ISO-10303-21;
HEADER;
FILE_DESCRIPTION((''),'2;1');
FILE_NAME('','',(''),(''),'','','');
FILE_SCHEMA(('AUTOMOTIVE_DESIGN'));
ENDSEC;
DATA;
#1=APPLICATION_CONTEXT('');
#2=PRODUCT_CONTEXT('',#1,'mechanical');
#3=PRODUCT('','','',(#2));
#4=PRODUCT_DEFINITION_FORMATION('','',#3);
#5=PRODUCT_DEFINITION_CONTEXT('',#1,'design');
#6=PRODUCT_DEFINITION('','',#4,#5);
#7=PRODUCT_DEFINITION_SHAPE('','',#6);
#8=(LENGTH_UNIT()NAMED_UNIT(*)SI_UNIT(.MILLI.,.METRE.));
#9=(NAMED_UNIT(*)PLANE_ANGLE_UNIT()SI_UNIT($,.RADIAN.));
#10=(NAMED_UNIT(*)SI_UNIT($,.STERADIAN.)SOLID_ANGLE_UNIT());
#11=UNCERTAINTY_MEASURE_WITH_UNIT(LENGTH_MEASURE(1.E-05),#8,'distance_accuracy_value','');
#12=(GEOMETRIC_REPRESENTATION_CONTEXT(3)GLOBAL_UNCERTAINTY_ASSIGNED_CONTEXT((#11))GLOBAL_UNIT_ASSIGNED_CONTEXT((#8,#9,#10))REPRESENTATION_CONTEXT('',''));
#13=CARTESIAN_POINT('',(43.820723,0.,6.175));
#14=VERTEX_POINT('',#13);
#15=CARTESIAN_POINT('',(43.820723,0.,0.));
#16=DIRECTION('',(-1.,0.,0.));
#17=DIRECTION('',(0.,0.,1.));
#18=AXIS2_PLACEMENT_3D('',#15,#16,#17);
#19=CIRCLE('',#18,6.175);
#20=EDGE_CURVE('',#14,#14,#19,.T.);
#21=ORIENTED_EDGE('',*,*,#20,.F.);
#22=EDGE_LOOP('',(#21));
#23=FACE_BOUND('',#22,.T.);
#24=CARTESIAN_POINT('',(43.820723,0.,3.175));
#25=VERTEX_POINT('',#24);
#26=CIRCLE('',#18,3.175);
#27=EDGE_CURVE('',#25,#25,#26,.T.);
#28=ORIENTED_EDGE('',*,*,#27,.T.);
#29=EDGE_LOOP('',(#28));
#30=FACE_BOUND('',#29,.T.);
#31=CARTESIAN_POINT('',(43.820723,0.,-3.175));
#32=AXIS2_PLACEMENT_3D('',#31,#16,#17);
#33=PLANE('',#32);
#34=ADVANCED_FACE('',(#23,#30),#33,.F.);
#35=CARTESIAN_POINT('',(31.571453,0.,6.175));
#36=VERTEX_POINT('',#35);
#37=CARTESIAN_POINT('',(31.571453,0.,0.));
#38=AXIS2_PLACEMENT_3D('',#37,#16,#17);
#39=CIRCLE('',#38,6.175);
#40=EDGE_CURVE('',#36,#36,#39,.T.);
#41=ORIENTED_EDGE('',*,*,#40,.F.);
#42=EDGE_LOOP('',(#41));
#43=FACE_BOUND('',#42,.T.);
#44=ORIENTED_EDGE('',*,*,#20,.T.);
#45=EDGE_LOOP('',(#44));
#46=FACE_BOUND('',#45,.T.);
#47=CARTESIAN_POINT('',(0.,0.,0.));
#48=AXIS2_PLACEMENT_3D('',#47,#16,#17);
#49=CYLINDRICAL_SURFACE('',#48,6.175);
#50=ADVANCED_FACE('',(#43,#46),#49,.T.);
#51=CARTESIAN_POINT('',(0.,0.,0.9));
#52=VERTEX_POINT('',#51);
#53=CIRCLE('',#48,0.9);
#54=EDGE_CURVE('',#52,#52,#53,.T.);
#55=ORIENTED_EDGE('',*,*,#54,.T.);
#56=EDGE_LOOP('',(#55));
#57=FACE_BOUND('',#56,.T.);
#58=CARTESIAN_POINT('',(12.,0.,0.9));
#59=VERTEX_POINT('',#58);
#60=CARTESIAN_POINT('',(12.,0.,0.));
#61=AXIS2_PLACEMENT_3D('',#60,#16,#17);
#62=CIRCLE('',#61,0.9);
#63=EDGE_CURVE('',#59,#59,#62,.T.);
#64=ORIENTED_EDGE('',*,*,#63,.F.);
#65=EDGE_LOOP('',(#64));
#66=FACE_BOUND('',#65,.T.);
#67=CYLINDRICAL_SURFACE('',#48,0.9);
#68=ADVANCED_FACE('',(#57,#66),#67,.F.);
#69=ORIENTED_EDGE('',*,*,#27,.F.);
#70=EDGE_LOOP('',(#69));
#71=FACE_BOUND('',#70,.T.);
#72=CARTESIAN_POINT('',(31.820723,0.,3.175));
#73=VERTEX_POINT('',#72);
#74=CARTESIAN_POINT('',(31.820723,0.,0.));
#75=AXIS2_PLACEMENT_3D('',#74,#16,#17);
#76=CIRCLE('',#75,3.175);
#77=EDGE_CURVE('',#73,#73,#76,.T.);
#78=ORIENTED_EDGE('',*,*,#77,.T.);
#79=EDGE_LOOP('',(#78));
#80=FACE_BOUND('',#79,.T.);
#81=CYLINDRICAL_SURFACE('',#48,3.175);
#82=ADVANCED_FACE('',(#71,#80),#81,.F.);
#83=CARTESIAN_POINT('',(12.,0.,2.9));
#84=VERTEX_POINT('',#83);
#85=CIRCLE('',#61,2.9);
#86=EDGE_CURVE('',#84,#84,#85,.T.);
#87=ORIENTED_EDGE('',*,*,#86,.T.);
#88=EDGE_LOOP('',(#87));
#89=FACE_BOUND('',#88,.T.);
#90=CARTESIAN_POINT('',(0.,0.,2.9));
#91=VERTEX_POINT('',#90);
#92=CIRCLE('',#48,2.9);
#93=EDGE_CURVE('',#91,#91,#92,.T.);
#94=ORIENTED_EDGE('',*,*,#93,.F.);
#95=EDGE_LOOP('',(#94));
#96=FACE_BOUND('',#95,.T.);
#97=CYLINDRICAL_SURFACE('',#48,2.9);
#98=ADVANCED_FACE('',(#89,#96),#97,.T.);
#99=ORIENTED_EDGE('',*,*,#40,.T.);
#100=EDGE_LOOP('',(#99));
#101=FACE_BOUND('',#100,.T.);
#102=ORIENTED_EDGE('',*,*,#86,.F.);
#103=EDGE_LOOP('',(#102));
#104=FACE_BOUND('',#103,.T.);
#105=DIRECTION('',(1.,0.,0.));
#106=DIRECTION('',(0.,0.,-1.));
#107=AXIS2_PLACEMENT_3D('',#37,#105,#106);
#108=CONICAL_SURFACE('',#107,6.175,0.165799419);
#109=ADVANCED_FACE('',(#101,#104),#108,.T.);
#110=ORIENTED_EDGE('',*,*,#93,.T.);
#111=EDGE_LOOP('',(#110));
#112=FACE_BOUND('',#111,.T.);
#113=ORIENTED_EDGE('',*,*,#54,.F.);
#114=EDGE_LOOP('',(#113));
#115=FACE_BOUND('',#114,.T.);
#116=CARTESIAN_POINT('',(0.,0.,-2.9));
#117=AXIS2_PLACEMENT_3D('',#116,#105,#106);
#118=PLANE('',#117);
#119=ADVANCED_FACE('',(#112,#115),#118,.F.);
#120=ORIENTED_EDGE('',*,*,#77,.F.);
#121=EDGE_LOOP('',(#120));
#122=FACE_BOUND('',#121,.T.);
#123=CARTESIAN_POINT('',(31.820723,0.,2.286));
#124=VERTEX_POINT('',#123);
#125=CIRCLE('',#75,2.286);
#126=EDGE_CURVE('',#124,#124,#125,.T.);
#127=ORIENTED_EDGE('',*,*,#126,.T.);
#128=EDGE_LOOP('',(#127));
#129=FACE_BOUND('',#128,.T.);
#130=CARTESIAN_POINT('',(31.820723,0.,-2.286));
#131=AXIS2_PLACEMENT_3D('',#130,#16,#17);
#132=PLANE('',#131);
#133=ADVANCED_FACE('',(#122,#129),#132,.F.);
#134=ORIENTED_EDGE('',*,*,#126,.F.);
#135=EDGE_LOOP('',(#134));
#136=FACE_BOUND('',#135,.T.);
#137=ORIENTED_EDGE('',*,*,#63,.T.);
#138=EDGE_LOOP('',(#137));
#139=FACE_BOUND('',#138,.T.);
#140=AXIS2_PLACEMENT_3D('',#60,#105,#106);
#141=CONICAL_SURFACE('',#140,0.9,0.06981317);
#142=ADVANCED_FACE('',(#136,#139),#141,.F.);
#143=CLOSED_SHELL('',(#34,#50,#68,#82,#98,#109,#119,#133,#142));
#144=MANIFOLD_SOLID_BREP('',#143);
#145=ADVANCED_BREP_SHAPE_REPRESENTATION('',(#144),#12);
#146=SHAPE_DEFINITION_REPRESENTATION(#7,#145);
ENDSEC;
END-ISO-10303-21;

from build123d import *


with BuildPart() as part:
    # Sketch1 → Revolve1 (revolve)
    with BuildSketch(Plane(origin=(0, 0, 0), x_dir=(1, 0, 0), z_dir=(0, 1, 0)), mode=Mode.PRIVATE) as revolve1_sk:
        Polygon((0, 0.9), (12, 0.9), (31.820723432, 2.286), (31.820723432, 3.175), (43.820723432, 3.175), (43.820723432, 6.175), (31.571453015, 6.175), (12, 2.9), (0, 2.9), align=None)
    revolve(revolve1_sk.sketch.rotate(Axis((0, 0, 0), (1, 0, 0)), 180), axis=Axis((0, 0, 0), (1, 0, 0)))


solid = part.part
